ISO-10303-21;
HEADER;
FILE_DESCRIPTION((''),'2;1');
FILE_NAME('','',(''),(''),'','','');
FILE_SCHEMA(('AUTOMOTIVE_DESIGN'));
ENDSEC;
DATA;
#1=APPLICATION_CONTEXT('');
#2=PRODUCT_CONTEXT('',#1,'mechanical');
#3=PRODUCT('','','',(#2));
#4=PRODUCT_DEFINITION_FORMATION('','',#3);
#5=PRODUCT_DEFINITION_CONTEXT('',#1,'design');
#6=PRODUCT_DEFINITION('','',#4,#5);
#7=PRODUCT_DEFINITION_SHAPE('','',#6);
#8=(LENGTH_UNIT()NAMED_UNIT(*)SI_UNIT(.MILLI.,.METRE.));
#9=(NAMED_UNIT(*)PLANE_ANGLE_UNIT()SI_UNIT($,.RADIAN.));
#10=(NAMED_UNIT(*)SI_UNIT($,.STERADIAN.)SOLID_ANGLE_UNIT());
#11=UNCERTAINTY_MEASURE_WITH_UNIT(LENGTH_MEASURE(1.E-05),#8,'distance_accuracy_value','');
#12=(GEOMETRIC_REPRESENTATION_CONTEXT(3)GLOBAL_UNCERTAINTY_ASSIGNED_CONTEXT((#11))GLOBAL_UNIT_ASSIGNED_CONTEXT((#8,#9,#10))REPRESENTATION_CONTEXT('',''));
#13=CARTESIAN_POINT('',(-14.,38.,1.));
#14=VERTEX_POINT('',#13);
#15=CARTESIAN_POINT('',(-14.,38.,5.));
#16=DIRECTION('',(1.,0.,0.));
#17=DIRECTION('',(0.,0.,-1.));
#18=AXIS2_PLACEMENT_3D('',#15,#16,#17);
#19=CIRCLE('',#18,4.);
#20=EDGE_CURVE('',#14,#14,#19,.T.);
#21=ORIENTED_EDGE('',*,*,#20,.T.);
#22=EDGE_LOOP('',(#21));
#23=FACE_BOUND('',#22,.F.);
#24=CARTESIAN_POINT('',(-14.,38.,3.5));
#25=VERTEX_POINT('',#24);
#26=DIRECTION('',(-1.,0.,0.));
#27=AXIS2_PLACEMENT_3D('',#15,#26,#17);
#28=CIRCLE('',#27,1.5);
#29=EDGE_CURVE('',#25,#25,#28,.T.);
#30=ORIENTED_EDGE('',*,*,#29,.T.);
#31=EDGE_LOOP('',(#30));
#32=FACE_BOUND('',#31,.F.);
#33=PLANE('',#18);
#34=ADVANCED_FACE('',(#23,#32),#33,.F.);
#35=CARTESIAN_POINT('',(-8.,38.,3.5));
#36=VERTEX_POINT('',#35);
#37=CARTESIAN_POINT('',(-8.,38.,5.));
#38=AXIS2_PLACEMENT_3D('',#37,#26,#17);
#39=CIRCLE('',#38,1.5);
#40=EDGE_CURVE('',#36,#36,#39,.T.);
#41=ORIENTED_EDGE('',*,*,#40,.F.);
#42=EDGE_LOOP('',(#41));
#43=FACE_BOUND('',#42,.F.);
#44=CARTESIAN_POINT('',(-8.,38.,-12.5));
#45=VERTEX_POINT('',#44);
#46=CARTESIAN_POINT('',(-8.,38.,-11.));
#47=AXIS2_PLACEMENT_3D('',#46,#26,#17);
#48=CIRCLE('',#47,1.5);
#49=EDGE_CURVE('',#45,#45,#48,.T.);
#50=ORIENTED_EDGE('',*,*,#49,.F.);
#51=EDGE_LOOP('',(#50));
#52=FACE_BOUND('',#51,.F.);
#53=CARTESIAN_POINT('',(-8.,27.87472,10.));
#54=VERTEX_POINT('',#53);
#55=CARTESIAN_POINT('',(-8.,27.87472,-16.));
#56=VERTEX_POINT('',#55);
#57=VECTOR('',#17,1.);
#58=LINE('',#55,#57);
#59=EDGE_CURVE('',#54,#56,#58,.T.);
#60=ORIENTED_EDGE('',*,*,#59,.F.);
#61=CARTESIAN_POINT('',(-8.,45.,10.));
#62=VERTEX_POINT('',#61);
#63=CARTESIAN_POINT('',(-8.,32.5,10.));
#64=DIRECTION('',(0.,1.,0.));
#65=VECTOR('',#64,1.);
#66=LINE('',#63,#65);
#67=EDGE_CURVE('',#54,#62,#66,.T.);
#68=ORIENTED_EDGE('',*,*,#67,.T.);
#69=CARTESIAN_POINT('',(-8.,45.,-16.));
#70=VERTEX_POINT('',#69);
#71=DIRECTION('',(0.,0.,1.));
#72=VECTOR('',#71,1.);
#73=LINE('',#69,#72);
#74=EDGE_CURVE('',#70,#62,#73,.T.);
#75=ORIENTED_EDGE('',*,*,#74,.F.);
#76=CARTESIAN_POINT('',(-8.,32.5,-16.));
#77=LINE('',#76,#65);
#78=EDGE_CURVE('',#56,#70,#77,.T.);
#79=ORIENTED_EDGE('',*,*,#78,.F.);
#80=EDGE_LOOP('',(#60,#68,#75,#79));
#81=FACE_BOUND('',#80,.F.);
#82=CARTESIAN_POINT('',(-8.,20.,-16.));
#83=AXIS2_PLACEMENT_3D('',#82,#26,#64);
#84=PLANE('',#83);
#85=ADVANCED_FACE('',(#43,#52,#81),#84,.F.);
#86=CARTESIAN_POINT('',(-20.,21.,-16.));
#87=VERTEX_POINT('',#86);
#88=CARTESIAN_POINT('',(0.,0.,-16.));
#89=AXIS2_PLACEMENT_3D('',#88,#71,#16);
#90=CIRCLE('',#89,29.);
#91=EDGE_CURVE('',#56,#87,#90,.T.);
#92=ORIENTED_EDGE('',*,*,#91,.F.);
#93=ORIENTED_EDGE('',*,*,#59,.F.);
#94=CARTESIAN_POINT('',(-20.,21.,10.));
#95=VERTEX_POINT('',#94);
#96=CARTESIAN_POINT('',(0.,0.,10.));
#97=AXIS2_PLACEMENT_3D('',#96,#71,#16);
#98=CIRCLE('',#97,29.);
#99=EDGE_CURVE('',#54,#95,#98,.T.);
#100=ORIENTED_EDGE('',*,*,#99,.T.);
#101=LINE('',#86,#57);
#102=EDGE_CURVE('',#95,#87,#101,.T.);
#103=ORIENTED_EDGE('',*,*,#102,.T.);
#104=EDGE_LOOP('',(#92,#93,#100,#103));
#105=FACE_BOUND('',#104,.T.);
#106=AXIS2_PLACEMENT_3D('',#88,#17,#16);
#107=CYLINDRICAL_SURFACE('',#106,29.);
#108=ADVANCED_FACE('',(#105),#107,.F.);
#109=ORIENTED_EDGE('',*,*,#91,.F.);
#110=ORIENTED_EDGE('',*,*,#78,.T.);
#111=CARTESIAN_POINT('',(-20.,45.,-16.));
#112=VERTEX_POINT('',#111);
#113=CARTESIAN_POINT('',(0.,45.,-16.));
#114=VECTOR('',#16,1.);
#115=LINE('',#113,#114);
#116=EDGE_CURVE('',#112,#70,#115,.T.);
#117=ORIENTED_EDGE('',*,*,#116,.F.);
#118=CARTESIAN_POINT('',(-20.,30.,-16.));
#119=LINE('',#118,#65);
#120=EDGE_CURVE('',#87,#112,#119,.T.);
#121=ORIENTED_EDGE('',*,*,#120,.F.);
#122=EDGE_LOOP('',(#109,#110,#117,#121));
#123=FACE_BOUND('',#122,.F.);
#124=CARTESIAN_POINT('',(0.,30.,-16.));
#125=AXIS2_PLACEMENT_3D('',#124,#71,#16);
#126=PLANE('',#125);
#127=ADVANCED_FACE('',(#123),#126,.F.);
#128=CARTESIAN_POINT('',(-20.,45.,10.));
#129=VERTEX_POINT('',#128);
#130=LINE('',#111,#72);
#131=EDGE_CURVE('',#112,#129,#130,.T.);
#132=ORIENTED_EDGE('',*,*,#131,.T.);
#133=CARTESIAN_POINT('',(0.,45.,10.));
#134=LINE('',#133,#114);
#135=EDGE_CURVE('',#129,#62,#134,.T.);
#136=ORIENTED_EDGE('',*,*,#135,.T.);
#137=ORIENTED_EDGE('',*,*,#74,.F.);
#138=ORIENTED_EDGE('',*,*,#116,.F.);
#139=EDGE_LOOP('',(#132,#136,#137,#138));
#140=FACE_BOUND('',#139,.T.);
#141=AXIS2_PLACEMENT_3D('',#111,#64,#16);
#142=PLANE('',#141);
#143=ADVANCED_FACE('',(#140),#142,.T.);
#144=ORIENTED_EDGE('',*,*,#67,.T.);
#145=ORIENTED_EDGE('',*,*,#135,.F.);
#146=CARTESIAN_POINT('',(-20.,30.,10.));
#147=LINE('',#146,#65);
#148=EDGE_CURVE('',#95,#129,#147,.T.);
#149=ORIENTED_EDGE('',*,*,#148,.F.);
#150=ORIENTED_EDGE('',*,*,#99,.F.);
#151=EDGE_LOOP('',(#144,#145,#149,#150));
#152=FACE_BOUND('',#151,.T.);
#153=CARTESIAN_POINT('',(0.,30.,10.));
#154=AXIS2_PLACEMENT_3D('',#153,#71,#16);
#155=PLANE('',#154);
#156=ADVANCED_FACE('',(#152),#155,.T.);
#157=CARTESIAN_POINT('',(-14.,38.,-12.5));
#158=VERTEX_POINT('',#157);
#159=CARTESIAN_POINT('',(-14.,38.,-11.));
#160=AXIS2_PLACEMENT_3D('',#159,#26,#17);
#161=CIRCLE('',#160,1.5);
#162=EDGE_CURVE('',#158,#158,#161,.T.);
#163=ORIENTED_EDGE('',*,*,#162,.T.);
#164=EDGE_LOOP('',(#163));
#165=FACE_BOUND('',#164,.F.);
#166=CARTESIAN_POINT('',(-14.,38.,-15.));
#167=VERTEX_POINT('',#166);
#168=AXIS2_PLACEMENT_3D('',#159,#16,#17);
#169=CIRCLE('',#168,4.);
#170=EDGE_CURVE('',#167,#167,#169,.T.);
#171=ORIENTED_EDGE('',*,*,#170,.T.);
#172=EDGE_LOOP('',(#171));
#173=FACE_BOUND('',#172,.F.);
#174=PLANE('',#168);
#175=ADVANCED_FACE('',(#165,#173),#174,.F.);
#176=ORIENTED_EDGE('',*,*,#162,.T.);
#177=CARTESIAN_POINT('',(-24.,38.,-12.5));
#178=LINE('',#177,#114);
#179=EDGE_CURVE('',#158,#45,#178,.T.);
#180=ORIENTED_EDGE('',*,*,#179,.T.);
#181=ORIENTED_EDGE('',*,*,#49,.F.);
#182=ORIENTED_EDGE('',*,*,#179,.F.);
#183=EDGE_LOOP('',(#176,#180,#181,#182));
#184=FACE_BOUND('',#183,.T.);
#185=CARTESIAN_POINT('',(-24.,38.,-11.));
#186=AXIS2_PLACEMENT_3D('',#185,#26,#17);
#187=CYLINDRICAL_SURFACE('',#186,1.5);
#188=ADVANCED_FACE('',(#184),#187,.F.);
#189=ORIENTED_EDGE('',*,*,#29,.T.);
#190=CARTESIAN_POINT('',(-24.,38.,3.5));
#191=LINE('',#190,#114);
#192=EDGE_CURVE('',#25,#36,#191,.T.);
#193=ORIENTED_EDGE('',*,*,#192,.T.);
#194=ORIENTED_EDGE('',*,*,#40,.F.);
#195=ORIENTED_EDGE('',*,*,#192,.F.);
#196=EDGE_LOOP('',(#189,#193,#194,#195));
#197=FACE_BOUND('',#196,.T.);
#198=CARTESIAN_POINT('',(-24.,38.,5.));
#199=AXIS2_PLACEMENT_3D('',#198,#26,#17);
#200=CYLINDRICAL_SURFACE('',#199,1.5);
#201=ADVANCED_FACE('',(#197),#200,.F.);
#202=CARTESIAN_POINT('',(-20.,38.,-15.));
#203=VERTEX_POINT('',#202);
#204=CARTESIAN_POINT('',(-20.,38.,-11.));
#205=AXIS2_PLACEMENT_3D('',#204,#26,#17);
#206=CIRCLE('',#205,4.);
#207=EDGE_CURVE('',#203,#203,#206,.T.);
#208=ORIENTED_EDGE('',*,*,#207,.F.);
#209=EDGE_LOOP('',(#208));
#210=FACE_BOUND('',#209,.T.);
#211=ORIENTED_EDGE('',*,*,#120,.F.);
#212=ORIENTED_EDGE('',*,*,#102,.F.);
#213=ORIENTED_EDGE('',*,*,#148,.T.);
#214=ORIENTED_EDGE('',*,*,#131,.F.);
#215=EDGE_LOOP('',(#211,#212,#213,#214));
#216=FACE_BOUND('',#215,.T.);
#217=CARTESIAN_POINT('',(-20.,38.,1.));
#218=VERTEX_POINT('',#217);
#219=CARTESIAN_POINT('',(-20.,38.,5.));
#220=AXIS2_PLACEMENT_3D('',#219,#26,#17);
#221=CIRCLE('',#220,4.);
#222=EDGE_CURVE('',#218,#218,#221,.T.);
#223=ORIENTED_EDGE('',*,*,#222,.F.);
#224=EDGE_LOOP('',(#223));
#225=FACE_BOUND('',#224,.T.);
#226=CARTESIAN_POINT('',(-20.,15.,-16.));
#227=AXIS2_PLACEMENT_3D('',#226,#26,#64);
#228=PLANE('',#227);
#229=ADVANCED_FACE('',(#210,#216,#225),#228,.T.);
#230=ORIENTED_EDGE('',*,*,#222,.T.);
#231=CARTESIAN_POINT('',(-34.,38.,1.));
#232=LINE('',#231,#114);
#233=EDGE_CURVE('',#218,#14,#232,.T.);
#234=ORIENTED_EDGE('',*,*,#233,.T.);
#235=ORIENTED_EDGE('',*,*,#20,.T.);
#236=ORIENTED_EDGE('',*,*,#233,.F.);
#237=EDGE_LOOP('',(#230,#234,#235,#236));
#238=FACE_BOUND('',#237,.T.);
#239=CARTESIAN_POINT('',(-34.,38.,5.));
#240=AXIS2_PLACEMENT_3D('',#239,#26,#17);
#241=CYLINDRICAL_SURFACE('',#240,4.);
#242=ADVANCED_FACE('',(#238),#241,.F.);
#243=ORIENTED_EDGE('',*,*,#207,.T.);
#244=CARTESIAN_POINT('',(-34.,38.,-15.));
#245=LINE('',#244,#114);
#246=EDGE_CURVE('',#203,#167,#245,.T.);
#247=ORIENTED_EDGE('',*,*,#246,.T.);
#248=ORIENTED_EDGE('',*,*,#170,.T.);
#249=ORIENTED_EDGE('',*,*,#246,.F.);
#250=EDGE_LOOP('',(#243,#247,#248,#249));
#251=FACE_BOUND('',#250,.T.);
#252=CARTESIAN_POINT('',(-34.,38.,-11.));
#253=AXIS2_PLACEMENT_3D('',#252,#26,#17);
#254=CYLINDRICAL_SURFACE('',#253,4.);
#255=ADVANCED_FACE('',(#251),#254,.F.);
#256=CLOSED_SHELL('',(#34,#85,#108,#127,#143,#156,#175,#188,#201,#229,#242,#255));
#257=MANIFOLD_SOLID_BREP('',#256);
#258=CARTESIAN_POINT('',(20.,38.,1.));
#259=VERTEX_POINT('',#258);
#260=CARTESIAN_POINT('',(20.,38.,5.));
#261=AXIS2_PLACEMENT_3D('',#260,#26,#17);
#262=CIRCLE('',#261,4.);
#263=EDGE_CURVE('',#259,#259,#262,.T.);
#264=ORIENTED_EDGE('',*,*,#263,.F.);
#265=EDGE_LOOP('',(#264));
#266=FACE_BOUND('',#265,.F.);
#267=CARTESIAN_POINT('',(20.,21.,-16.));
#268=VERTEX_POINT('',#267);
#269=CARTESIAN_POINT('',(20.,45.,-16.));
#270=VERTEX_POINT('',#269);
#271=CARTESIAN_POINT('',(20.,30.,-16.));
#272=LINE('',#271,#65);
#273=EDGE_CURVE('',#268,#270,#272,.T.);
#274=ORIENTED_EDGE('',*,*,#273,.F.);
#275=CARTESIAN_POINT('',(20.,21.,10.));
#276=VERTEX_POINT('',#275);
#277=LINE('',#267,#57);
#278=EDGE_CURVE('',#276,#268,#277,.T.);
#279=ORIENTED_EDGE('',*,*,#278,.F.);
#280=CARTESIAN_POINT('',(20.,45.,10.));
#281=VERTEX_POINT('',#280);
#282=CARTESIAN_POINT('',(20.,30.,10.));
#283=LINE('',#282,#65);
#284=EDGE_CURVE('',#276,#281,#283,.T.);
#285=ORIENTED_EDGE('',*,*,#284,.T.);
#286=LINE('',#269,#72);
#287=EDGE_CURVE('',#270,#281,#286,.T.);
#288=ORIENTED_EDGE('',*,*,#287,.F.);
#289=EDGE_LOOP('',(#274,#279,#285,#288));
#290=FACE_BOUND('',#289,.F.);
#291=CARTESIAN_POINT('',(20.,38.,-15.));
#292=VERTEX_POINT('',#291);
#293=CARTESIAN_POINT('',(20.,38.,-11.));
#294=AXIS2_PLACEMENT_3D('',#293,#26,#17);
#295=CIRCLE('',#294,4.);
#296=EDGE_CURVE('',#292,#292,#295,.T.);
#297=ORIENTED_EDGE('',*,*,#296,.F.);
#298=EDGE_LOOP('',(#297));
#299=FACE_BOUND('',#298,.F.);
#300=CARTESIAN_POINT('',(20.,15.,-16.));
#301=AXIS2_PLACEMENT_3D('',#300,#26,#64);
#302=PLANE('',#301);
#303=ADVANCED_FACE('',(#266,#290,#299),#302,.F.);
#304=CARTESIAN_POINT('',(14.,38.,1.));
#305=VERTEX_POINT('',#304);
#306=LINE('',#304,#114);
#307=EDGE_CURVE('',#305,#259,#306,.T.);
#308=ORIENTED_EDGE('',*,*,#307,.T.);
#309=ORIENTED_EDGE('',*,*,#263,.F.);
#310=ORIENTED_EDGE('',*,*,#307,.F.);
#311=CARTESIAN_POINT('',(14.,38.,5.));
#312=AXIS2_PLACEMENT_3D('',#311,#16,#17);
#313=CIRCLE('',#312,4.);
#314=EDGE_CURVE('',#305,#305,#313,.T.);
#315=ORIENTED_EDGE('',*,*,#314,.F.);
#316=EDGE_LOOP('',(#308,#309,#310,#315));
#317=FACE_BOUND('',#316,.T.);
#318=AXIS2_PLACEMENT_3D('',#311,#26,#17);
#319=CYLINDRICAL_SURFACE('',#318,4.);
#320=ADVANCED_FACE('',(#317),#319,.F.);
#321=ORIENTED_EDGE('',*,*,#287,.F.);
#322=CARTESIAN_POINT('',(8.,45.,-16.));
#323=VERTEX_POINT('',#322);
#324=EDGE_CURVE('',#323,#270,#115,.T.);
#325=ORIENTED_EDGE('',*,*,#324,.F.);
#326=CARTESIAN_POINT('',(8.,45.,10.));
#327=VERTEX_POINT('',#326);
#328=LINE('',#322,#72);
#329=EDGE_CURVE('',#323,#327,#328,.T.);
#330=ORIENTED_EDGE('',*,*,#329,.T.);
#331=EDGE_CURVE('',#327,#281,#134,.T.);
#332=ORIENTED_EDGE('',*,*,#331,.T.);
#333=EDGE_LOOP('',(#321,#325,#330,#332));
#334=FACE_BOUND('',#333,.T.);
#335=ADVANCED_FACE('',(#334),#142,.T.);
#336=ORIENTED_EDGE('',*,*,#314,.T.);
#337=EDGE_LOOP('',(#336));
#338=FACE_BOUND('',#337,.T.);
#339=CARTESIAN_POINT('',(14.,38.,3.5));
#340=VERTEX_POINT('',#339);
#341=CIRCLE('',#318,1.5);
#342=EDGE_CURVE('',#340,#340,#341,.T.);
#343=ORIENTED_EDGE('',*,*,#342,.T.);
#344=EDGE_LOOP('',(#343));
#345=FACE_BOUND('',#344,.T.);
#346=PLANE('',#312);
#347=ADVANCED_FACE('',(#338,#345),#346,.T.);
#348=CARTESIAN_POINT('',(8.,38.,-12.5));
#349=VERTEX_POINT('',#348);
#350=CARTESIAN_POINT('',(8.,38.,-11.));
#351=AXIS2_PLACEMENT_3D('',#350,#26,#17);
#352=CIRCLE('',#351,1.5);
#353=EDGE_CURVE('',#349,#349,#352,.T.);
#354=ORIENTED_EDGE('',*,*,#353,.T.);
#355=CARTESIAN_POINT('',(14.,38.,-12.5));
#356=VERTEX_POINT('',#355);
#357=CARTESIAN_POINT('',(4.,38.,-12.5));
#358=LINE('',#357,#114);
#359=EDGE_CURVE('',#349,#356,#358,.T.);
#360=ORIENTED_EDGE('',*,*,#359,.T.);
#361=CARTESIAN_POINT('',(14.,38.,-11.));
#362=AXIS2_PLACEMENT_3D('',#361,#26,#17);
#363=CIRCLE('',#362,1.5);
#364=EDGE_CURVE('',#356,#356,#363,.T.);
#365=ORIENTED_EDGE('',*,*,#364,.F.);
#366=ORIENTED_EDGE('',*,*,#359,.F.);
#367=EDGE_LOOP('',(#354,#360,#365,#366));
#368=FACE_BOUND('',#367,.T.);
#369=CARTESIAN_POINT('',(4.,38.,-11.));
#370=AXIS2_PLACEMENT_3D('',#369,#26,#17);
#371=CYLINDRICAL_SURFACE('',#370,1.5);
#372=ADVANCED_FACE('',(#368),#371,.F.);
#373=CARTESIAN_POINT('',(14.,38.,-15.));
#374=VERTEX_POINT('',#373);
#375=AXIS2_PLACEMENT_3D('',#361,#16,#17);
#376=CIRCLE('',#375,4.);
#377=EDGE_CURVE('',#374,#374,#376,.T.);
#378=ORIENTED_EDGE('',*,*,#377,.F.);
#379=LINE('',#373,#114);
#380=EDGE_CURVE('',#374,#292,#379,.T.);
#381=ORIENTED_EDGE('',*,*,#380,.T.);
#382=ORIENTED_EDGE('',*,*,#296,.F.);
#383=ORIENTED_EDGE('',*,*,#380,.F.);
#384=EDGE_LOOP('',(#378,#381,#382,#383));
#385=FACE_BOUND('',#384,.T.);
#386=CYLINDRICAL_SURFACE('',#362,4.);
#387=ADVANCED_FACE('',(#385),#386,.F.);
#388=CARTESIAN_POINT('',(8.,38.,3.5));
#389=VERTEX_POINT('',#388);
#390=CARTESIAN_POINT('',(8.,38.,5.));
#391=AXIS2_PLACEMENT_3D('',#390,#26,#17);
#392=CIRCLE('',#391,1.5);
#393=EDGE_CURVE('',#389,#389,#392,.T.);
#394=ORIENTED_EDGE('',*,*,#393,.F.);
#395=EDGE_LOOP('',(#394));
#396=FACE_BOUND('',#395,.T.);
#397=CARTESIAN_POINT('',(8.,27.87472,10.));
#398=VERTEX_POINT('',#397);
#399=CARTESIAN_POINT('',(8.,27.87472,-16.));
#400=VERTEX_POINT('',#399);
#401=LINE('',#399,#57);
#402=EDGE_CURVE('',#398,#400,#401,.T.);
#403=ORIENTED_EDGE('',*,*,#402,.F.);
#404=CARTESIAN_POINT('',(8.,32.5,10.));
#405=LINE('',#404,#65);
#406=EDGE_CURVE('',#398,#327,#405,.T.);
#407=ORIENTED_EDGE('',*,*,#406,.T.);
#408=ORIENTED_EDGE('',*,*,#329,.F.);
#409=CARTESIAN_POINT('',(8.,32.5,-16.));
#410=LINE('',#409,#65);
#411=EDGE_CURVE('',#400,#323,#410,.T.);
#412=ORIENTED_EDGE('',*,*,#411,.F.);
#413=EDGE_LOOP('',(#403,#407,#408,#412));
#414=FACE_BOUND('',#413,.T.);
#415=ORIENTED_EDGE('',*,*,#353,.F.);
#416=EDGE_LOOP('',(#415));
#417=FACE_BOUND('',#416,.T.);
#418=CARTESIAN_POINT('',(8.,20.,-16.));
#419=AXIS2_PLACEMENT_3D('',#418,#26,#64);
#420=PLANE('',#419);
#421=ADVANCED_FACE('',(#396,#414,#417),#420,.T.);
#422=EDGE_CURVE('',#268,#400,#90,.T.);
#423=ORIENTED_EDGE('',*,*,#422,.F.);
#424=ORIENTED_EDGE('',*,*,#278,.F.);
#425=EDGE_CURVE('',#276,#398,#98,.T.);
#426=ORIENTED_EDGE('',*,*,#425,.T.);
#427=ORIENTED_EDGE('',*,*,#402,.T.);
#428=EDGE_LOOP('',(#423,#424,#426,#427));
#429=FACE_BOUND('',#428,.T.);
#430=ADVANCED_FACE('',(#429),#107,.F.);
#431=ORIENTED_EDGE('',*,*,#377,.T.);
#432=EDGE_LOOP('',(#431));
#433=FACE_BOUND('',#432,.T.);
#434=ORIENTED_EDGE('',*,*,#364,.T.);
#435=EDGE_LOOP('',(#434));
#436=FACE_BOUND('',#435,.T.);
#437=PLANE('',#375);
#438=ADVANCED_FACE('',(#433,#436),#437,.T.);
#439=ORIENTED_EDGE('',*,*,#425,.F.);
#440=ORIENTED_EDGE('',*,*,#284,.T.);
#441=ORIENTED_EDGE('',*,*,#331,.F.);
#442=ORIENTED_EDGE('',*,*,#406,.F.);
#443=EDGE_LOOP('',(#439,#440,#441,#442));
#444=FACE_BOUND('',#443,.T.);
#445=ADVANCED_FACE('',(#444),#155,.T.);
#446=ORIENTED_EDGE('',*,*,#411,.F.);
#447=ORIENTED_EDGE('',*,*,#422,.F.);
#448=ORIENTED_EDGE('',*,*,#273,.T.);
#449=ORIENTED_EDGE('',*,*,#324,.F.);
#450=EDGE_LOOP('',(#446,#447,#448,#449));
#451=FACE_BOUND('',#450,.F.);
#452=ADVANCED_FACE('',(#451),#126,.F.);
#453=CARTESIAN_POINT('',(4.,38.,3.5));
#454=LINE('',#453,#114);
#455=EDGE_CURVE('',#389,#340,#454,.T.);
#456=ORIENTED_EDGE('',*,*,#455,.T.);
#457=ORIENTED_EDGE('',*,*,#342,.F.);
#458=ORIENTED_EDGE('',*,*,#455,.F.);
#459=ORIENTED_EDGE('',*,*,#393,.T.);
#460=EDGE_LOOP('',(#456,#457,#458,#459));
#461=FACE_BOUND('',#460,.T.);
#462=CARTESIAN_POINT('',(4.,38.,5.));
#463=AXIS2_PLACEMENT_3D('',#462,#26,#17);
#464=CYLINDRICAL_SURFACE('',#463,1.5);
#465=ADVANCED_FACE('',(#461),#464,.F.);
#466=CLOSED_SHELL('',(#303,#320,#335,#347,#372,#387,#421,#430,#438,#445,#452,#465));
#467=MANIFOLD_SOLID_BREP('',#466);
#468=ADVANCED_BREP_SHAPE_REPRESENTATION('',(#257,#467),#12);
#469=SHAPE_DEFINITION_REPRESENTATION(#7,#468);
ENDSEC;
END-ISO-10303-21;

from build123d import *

# Parameters (mm, degrees)
CYLINDER143_R     = 1.5
CYLINDER143_DEPTH = 20
CYLINDER142_R     = 1.5
CYLINDER142_DEPTH = 20
CYLINDER145_R     = 4
CYLINDER145_DEPTH = 20
CYLINDER144_R     = 4
CYLINDER144_DEPTH = 20
CYLINDER139_R     = 1.5
CYLINDER139_DEPTH = 20
CYLINDER138_R     = 1.5
CYLINDER138_DEPTH = 20
CYLINDER141_R     = 4
CYLINDER141_DEPTH = 20
CYLINDER140_R     = 4
CYLINDER140_DEPTH = 20
BOX057_W          = 16
BOX057_H          = 25
BOX057_DEPTH      = 26
CYLINDER136_R     = 29
CYLINDER136_DEPTH = 26
BOX055_W          = 40
BOX055_H          = 30
BOX055_DEPTH      = 26


with BuildPart() as v_lec143:
    # Cylinder143 → Cylinder143 (new body)
    with BuildSketch(Plane(origin=(4, 38, -11), x_dir=(0, 0, -1), z_dir=(1, 0, 0))):
        Circle(CYLINDER143_R)
    extrude(amount=CYLINDER143_DEPTH)


with BuildPart() as compound045:
    # Cylinder142 → Cylinder142 (new body)
    with BuildSketch(Plane(origin=(4, 38, 5), x_dir=(0, 0, -1), z_dir=(1, 0, 0))):
        Circle(CYLINDER142_R)
    extrude(amount=CYLINDER142_DEPTH)

    # Compound045: union Válec143
    add(v_lec143.part)


with BuildPart() as v_lec145:
    # Cylinder145 → Cylinder145 (new body)
    with BuildSketch(Plane(origin=(14, 38, -11), x_dir=(0, 0, -1), z_dir=(1, 0, 0))):
        Circle(CYLINDER145_R)
    extrude(amount=CYLINDER145_DEPTH)


with BuildPart() as compound044:
    # Cylinder144 → Cylinder144 (new body)
    with BuildSketch(Plane(origin=(14, 38, 5), x_dir=(0, 0, -1), z_dir=(1, 0, 0))):
        Circle(CYLINDER144_R)
    extrude(amount=CYLINDER144_DEPTH)

    # Compound044: union Válec145
    add(v_lec145.part)


with BuildPart() as v_lec139:
    # Cylinder139 → Cylinder139 (new body)
    with BuildSketch(Plane(origin=(-24, 38, -11), x_dir=(0, 0, -1), z_dir=(1, 0, 0))):
        Circle(CYLINDER139_R)
    extrude(amount=CYLINDER139_DEPTH)


with BuildPart() as compound043:
    # Cylinder138 → Cylinder138 (new body)
    with BuildSketch(Plane(origin=(-24, 38, 5), x_dir=(0, 0, -1), z_dir=(1, 0, 0))):
        Circle(CYLINDER138_R)
    extrude(amount=CYLINDER138_DEPTH)

    # Compound043: union Válec139
    add(v_lec139.part)


with BuildPart() as v_lec141:
    # Cylinder141 → Cylinder141 (new body)
    with BuildSketch(Plane(origin=(-34, 38, -11), x_dir=(0, 0, -1), z_dir=(1, 0, 0))):
        Circle(CYLINDER141_R)
    extrude(amount=CYLINDER141_DEPTH)


with BuildPart() as compound042:
    # Cylinder140 → Cylinder140 (new body)
    with BuildSketch(Plane(origin=(-34, 38, 5), x_dir=(0, 0, -1), z_dir=(1, 0, 0))):
        Circle(CYLINDER140_R)
    extrude(amount=CYLINDER140_DEPTH)

    # Compound042: union Válec141
    add(v_lec141.part)


with BuildPart() as krychle057:
    # Box057 → Box057 (new body)
    with BuildSketch(Plane(origin=(-8, 20, -16), x_dir=(1, 0, 0), z_dir=(0, 0, 1))):
        with Locations((8, 12.5)):
            Rectangle(BOX057_W, BOX057_H)
    extrude(amount=BOX057_DEPTH)


with BuildPart() as v_lec136:
    # Cylinder136 → Cylinder136 (new body)
    with BuildSketch(Plane.XY.offset(-16)):
        Circle(CYLINDER136_R)
    extrude(amount=CYLINDER136_DEPTH)


with BuildPart() as cut051:
    # Box055 → Box055 (new body)
    with BuildSketch(Plane(origin=(-20, 15, -16), x_dir=(1, 0, 0), z_dir=(0, 0, 1))):
        with Locations((20, 15)):
            Rectangle(BOX055_W, BOX055_H)
    extrude(amount=BOX055_DEPTH)

    # Cut045: cut Válec136
    add(v_lec136.part, mode=Mode.SUBTRACT)

    # Cut047: cut Krychle057
    add(krychle057.part, mode=Mode.SUBTRACT)

    # Cut048: cut Compound042
    add(compound042.part, mode=Mode.SUBTRACT)

    # Cut049: cut Compound043
    add(compound043.part, mode=Mode.SUBTRACT)

    # Cut050: cut Compound044
    add(compound044.part, mode=Mode.SUBTRACT)

    # Cut051: cut Compound045
    add(compound045.part, mode=Mode.SUBTRACT)


solid = cut051.part
